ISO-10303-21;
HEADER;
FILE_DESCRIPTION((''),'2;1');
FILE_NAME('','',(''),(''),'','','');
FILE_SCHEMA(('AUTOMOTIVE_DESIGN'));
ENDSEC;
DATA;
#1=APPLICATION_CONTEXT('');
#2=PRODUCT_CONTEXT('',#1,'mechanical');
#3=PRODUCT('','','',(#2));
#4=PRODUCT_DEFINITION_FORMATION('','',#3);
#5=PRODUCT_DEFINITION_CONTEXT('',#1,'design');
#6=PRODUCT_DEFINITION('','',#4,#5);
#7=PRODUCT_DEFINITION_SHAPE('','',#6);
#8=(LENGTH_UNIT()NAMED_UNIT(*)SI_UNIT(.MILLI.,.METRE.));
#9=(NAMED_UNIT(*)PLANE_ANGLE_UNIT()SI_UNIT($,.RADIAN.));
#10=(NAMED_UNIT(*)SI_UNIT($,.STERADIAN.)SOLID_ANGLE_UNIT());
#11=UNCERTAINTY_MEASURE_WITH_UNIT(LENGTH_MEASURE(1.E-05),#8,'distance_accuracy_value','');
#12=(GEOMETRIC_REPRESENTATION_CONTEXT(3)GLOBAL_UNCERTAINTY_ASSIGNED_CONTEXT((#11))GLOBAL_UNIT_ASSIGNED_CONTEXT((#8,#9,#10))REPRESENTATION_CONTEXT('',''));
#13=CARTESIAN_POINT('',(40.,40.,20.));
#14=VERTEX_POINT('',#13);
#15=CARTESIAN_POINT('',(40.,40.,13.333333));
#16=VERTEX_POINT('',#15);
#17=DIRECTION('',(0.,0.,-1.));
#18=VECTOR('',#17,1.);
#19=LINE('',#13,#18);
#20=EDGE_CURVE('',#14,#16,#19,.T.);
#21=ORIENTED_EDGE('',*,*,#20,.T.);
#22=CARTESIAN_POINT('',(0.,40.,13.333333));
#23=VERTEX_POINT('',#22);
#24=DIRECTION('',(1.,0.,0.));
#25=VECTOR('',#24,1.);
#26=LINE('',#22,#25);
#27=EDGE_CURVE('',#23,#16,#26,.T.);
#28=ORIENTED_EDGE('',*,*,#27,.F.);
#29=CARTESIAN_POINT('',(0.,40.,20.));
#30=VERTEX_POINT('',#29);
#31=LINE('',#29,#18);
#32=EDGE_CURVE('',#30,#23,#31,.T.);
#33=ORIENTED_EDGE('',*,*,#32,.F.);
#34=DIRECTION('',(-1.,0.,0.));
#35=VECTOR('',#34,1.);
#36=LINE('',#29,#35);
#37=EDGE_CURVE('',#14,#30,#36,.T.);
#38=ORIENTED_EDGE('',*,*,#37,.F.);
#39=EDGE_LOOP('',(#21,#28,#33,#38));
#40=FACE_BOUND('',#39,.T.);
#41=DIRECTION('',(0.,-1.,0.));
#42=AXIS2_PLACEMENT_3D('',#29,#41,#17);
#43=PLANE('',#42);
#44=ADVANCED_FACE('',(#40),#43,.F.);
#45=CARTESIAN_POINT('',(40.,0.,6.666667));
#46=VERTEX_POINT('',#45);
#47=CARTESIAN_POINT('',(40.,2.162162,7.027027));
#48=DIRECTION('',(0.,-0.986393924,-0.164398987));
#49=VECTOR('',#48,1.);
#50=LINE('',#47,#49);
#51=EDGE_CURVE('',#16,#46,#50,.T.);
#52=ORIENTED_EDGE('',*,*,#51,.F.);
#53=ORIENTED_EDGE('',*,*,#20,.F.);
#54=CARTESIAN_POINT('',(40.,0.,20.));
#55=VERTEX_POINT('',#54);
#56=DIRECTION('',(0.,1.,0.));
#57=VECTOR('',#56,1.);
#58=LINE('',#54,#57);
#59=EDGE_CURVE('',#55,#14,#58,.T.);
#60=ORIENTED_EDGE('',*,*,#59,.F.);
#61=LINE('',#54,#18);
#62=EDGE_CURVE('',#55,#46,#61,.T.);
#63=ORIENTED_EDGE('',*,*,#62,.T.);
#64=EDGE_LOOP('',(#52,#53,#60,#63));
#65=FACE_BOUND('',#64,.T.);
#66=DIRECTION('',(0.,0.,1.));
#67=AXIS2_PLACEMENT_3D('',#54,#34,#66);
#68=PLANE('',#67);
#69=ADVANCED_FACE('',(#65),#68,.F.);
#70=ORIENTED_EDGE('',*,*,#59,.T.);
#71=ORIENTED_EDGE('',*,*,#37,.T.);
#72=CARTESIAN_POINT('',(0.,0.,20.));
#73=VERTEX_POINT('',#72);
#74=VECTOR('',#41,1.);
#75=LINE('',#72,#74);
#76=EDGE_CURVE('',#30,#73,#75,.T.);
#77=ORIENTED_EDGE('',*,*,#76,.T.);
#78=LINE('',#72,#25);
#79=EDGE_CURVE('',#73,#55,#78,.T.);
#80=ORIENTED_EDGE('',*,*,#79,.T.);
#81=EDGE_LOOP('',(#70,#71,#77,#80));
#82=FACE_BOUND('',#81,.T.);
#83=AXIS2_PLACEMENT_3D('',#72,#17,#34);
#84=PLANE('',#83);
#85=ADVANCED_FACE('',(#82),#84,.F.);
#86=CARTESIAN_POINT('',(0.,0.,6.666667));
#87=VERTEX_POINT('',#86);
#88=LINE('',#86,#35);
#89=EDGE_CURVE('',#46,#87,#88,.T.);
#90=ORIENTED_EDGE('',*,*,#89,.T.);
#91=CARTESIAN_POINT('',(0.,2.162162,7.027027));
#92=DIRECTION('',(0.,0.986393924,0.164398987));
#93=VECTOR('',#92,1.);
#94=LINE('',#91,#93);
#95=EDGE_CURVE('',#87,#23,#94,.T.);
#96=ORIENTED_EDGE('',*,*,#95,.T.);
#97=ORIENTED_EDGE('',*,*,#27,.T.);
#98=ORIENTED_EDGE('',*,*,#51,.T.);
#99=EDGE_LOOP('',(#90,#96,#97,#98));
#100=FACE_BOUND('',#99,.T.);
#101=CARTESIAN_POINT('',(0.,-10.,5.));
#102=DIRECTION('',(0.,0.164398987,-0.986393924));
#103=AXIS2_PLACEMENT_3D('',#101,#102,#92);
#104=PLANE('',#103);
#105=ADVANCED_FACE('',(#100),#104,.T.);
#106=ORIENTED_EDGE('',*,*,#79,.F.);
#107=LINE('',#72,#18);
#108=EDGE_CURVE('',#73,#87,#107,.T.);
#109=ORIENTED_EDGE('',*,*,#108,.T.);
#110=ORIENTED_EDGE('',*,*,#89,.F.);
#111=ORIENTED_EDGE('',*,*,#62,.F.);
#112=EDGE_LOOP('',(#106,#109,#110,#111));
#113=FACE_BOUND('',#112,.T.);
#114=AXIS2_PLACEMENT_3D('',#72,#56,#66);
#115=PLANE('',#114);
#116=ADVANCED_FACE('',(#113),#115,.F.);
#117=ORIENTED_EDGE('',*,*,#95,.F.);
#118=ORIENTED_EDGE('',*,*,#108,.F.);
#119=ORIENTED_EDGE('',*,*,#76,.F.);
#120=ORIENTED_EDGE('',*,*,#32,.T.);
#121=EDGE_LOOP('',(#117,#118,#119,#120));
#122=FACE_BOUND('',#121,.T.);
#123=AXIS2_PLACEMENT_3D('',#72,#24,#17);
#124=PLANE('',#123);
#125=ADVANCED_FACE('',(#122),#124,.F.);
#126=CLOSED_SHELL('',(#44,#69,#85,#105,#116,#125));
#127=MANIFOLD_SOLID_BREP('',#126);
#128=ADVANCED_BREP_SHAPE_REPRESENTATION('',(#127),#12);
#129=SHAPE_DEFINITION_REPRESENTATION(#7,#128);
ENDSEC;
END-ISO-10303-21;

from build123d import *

# Parameters (mm, degrees)
SKETCH1_W                = 40
SKETCH1_H                = 40
BOSS_EXTRUDE1_DEPTH      = 20
SURFACE_EXTRUDE1_1_BACK  = 50
SURFACE_EXTRUDE1_1_DEPTH = 100


with BuildPart() as part:
    # Sketch1 → Boss-Extrude1 (new body)
    with BuildSketch(Plane.XY):
        with Locations((20, 20)):
            Rectangle(SKETCH1_W, SKETCH1_H)
    extrude(amount=BOSS_EXTRUDE1_DEPTH)

    # SurfaceCut1: cut with a surface, the side it looks to stays
    # Surface-Extrude1: a surface, the sketch's curves swept straight by 100 mm
    with BuildLine(Plane(origin=(0, 0, 0), x_dir=(0, 0, -1), z_dir=(1, 0, 0)).offset(-SURFACE_EXTRUDE1_1_BACK), mode=Mode.PRIVATE) as surface_extrude1_1_path:
        Line((-5, -10), (-15, 50))
    surface_extrude1_1 = Shell.extrude(surface_extrude1_1_path.wire(), (1 * SURFACE_EXTRUDE1_1_DEPTH, 0 * SURFACE_EXTRUDE1_1_DEPTH, 0 * SURFACE_EXTRUDE1_1_DEPTH))
    split(bisect_by=surface_extrude1_1, keep=Keep.TOP)


solid = part.part
